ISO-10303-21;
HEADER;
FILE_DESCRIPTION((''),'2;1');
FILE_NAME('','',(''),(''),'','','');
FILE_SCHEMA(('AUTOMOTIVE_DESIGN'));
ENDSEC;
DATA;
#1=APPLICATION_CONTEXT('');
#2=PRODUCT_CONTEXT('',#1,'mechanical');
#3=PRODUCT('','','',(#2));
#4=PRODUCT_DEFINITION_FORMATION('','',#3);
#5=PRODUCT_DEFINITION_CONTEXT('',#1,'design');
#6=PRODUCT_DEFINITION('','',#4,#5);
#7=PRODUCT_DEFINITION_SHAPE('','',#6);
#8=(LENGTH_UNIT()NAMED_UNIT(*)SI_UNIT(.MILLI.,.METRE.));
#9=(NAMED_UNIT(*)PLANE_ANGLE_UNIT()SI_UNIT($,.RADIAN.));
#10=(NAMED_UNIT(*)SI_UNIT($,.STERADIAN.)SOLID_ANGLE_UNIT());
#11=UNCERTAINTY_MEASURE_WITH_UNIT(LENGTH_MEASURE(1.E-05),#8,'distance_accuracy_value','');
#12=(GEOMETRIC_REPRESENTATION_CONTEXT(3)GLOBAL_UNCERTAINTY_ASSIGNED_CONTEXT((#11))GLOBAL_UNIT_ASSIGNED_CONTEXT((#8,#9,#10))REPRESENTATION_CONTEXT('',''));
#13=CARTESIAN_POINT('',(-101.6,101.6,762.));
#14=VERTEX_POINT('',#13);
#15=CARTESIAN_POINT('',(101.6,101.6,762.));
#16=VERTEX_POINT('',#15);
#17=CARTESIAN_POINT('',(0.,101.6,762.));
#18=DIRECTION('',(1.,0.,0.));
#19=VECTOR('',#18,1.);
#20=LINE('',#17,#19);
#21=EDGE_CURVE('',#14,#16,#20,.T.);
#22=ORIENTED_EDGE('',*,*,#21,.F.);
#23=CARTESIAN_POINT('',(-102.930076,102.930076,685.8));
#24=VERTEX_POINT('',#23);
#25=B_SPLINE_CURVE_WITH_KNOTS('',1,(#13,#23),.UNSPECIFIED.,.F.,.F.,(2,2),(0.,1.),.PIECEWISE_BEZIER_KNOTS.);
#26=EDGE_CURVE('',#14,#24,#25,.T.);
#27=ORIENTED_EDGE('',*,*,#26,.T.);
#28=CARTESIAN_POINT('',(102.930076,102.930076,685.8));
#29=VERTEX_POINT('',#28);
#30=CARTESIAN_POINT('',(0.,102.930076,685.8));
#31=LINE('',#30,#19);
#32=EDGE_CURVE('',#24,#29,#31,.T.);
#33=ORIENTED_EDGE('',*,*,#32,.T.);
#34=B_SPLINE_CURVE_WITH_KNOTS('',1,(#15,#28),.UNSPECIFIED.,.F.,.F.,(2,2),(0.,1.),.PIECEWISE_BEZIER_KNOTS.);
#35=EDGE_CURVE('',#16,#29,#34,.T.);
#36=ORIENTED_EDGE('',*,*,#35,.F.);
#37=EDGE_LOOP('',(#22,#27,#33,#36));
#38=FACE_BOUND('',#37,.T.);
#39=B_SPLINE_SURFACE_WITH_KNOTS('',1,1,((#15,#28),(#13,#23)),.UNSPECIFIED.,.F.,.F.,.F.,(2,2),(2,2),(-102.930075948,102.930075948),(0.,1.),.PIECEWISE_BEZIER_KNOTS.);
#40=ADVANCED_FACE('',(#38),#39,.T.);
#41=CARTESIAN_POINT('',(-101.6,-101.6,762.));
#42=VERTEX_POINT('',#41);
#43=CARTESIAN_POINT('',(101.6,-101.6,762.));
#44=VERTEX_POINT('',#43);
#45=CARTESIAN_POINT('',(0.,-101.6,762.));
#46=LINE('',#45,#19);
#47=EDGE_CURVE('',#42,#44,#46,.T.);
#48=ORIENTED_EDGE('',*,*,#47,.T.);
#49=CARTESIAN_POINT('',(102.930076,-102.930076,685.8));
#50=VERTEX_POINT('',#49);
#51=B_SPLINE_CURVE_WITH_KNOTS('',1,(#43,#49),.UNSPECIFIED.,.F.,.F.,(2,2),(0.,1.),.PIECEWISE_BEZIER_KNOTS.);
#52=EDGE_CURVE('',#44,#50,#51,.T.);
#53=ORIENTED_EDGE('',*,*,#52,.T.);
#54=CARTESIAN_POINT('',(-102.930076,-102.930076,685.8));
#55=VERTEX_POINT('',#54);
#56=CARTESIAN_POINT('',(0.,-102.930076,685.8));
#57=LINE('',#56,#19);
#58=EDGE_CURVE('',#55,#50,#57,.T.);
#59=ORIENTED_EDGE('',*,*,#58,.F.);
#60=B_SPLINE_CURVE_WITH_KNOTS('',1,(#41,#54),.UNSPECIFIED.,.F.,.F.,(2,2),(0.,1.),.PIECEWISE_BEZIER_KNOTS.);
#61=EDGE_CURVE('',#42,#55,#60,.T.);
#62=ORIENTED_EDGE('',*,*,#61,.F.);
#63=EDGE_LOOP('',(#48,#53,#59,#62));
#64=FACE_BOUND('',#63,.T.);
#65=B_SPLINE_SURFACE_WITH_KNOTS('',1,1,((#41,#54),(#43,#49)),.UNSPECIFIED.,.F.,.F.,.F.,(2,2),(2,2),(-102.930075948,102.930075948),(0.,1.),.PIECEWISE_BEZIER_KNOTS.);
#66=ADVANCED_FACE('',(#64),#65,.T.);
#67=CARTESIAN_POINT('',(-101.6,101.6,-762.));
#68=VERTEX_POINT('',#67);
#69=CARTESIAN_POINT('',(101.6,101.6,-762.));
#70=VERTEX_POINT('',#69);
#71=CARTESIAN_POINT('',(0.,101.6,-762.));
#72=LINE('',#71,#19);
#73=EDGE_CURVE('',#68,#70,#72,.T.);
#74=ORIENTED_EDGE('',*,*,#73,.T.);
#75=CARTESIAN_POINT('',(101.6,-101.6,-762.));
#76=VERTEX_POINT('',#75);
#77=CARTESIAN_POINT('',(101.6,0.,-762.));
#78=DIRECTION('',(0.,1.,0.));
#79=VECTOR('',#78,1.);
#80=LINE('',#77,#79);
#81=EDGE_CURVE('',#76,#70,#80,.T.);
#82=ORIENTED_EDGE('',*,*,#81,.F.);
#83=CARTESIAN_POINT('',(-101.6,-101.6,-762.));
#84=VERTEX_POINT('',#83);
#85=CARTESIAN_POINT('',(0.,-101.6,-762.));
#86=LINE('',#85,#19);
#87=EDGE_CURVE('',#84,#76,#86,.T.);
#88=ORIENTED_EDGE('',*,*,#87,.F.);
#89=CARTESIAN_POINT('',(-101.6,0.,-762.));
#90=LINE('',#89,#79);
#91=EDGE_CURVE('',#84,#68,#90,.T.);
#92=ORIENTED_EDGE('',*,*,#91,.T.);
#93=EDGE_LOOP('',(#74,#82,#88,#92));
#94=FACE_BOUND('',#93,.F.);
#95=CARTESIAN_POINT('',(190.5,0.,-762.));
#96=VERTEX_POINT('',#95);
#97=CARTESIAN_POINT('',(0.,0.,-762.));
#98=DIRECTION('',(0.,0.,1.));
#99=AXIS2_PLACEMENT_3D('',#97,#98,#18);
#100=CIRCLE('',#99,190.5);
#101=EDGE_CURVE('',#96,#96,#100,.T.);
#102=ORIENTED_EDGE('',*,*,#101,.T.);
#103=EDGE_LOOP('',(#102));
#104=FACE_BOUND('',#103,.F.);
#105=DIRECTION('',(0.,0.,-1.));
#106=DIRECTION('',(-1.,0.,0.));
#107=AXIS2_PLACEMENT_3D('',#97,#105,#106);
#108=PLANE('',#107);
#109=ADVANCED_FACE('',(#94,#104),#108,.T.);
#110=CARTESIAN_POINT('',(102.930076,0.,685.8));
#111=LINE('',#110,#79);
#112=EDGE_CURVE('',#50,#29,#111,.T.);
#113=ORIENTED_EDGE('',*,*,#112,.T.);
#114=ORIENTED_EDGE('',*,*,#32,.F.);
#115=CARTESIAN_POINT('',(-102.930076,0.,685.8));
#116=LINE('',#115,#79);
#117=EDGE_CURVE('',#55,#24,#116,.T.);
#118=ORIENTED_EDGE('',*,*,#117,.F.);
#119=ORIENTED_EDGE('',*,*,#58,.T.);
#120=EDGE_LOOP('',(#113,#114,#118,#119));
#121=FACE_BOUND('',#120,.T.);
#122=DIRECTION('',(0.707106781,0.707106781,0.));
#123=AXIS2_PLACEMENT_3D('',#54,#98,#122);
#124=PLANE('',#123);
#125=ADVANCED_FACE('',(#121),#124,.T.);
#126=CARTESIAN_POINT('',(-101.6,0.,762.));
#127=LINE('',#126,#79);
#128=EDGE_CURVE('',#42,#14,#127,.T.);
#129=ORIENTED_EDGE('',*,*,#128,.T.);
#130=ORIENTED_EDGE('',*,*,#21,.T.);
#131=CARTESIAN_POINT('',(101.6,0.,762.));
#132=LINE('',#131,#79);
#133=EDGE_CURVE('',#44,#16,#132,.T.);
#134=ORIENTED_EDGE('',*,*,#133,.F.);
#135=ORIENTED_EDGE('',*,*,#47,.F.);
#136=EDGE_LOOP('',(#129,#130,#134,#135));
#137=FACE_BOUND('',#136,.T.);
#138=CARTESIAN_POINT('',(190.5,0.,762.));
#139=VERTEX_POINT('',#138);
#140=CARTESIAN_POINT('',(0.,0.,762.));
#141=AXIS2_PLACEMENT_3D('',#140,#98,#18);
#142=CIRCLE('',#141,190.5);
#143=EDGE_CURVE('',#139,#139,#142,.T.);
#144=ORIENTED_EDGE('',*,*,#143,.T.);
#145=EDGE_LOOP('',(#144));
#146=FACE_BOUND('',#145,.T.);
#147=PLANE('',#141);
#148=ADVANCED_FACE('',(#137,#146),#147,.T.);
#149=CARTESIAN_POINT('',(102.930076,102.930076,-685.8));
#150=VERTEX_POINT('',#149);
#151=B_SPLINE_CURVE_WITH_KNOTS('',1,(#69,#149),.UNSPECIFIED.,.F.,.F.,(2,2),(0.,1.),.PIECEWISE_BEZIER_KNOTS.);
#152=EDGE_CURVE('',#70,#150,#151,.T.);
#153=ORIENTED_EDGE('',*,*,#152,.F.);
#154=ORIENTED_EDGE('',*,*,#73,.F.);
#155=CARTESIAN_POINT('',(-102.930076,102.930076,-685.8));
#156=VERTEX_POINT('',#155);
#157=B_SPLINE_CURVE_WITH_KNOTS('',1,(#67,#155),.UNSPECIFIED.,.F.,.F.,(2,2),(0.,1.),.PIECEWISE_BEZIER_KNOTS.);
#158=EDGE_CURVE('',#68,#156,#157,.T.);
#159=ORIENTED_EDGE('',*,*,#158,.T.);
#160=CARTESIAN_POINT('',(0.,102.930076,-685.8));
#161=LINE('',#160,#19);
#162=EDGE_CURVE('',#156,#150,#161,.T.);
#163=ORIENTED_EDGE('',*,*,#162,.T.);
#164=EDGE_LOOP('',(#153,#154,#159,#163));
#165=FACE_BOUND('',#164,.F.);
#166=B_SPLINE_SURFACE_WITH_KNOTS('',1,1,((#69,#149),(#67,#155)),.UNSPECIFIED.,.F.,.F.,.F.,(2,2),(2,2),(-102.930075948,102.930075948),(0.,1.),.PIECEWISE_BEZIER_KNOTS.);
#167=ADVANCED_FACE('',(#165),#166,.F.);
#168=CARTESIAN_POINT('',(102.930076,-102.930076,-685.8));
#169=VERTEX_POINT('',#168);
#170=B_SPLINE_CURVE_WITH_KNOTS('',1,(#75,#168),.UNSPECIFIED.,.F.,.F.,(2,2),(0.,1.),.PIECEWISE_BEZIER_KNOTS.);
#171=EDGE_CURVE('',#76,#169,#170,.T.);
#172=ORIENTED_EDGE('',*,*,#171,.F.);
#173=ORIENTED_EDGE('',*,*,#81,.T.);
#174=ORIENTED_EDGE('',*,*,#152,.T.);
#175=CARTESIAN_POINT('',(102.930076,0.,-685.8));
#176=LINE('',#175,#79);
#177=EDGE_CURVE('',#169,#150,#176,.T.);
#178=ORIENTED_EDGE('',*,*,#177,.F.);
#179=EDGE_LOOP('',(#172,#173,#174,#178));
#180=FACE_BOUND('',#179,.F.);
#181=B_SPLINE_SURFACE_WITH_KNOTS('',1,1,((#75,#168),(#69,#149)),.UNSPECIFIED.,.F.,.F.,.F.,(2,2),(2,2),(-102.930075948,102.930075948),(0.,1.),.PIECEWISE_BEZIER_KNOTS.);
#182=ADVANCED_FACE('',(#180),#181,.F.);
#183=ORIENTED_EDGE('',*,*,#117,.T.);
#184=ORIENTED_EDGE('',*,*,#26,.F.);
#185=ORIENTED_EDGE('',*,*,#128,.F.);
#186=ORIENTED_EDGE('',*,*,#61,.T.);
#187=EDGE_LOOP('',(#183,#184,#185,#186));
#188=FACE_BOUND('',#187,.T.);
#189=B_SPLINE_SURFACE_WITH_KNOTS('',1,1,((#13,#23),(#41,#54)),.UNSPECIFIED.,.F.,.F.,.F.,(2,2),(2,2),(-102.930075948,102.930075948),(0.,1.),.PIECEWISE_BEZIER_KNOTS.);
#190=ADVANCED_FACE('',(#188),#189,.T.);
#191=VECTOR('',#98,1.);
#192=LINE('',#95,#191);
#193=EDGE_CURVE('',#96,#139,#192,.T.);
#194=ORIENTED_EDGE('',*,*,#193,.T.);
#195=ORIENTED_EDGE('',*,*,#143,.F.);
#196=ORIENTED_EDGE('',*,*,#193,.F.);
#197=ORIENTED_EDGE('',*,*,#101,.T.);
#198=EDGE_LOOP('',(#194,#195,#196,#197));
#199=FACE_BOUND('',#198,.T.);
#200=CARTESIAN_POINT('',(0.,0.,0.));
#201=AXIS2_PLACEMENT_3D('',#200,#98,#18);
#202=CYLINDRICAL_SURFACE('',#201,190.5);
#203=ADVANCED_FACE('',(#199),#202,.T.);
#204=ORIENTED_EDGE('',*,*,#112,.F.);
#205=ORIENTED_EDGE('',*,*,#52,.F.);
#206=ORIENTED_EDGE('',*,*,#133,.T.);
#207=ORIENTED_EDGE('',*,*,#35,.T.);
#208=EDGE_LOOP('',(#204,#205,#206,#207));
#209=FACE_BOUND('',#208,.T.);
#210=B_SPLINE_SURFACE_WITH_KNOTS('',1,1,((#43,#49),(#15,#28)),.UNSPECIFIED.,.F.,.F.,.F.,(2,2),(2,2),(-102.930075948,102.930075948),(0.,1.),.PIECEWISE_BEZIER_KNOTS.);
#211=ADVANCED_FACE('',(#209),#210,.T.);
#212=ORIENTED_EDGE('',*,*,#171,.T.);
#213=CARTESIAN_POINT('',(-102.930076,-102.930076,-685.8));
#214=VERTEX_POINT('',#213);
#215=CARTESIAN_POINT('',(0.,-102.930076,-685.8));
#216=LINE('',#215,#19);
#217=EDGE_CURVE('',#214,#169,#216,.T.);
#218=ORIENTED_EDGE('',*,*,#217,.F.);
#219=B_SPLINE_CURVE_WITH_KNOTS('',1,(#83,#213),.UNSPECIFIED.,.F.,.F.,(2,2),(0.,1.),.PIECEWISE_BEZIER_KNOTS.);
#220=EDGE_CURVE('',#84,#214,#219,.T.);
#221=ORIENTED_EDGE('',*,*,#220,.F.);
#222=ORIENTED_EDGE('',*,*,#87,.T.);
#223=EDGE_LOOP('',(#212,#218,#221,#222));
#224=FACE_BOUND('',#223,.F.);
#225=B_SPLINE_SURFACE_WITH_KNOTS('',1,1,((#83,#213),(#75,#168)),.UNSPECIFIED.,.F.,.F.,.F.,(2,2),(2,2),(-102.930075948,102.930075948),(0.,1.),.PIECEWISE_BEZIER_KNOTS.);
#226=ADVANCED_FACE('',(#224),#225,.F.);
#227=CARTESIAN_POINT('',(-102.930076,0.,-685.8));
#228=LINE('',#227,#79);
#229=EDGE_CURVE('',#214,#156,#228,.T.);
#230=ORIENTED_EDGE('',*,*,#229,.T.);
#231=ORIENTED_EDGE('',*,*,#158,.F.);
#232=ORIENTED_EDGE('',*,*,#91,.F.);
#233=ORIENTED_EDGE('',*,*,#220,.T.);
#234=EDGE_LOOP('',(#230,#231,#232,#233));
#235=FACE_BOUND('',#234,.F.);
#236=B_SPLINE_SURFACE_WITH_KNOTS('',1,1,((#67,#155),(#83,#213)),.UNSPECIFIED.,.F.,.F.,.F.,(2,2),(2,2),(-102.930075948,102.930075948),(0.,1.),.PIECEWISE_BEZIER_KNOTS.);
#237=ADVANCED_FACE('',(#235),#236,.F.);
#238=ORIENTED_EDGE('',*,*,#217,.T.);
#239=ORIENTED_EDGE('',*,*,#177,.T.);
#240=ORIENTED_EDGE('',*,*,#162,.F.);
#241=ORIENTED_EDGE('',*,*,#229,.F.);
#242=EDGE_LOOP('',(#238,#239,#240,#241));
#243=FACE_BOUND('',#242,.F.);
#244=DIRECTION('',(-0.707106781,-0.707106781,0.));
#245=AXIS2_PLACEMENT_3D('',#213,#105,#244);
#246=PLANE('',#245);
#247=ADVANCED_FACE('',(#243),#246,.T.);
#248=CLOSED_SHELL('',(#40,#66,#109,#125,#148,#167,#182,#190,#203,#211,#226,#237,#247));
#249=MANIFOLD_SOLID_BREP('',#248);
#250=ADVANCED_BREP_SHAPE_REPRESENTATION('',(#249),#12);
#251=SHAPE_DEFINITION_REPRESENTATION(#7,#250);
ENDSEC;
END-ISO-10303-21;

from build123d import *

# Parameters (mm, degrees)
F0_R     = 190.5
F1_DEPTH = 762
F2_W     = 203.2
F2_H     = 203.2
F3_DEPTH = 76.2
F3_TAPER = -1


with BuildPart() as f1:
    # F0 (on Top) → F1 (new body)
    with BuildSketch(Plane.XY):
        Circle(F0_R)
    extrude(amount=F1_DEPTH)

    # F2 (on face) → F3 (cut)
    with BuildSketch(Plane.XY.offset(762)):
        Rectangle(F2_W, F2_H)
    extrude(amount=-F3_DEPTH, taper=F3_TAPER, mode=Mode.SUBTRACT)

    # F4: F1 across face


with BuildPart() as f1_1:
    add(f1.part)
    add(f1.part.mirror(Plane(origin=(0, 0, 0), x_dir=(1, 0, 0), z_dir=(0, 0, -1))))


solid = f1_1.part
